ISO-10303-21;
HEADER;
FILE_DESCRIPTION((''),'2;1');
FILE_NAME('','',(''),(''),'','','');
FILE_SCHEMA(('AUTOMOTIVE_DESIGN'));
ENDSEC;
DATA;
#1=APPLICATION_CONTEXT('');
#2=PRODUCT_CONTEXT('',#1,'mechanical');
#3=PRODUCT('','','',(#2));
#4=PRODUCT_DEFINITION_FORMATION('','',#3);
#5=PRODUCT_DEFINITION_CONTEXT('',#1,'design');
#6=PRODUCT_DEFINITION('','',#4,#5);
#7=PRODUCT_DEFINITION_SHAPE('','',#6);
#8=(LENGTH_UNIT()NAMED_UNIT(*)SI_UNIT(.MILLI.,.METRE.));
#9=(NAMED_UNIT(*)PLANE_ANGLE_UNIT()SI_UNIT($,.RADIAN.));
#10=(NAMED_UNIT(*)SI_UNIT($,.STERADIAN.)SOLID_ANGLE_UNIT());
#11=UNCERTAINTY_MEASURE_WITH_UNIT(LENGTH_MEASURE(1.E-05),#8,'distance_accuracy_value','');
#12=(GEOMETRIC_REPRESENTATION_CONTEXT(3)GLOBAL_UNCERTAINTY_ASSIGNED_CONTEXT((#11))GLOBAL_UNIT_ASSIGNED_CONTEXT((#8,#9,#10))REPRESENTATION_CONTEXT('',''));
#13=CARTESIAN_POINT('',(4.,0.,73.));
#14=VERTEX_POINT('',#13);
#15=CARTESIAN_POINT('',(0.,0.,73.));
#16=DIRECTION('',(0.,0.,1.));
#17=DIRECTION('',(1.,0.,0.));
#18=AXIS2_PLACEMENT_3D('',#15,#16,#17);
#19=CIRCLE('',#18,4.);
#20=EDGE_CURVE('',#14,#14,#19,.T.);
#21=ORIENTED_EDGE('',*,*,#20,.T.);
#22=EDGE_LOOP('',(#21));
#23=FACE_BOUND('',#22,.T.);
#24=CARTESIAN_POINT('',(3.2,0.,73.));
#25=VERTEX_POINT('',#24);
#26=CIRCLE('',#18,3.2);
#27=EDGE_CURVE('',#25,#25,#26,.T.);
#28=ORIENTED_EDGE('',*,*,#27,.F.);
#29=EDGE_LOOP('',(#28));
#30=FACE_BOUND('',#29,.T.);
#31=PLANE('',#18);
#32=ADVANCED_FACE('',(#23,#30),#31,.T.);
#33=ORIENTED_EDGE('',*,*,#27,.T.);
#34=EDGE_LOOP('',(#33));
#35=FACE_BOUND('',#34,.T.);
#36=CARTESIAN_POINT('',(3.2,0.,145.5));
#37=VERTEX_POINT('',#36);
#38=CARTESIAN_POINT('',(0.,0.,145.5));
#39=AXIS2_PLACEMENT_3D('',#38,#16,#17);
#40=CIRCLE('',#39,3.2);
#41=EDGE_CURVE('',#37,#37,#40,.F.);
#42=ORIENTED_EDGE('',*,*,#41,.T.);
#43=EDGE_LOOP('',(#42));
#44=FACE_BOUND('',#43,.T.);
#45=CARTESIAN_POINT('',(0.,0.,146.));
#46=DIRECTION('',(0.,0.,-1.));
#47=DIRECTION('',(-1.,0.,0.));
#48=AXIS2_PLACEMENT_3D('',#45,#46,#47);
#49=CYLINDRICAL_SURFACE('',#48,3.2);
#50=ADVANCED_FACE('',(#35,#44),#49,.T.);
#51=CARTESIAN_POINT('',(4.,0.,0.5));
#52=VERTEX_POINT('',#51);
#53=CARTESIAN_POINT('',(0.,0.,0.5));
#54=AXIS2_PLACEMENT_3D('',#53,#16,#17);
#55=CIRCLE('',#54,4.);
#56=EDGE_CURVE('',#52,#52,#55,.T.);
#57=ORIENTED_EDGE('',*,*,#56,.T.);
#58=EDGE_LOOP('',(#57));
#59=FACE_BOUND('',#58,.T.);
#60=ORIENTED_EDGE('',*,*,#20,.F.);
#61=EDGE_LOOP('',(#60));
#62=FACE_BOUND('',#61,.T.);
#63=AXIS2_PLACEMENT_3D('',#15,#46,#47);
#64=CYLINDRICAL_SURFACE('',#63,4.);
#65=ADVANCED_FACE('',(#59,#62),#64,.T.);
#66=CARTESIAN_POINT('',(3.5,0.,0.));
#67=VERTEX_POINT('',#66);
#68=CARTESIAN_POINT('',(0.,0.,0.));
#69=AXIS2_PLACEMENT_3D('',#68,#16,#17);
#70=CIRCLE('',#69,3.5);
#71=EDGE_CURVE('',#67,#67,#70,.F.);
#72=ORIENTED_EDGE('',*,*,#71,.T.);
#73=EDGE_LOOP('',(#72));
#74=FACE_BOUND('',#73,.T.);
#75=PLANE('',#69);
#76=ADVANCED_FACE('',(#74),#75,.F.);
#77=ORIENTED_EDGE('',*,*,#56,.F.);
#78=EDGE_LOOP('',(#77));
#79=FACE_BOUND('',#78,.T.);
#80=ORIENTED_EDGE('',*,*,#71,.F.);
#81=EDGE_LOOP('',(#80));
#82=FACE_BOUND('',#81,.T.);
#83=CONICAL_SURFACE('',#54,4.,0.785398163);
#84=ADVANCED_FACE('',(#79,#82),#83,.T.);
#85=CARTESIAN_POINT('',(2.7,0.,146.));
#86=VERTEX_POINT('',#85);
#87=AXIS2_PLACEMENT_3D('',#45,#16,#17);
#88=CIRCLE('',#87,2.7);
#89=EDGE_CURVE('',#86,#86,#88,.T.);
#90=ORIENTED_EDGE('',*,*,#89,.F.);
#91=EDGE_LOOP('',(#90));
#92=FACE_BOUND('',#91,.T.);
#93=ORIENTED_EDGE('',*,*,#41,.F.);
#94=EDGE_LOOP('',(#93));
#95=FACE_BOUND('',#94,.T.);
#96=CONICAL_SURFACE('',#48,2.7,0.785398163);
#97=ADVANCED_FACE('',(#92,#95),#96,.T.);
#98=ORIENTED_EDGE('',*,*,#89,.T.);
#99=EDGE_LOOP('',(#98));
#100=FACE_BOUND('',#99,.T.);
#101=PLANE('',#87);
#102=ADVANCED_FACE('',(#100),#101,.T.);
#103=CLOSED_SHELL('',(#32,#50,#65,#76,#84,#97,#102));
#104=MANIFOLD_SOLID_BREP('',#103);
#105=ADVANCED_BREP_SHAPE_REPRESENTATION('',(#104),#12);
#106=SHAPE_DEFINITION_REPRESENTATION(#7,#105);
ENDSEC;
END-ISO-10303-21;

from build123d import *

# Parameters (mm, degrees)
SKETCH1_R           = 4
BOSS_EXTRUDE1_DEPTH = 73
SKETCH2_R           = 3.2
BOSS_EXTRUDE2_DEPTH = 73
CHAMFER1_SIZE       = 0.5


with BuildPart() as part:
    # Sketch1 → Boss-Extrude1 (new body)
    with BuildSketch(Plane.XY):
        Circle(SKETCH1_R)
    extrude(amount=BOSS_EXTRUDE1_DEPTH)

    # Sketch2 → Boss-Extrude2 (add)
    with BuildSketch(Plane.XY.offset(73)):
        Circle(SKETCH2_R)
    extrude(amount=BOSS_EXTRUDE2_DEPTH)

    # Chamfer1
    chamfer1_edges = [part.edges().sort_by_distance(p)[0] for p in [
        (-4, 0, 0),
        (-3.2, 0, 146),
    ]]
    chamfer(chamfer1_edges, length=CHAMFER1_SIZE)


solid = part.part
